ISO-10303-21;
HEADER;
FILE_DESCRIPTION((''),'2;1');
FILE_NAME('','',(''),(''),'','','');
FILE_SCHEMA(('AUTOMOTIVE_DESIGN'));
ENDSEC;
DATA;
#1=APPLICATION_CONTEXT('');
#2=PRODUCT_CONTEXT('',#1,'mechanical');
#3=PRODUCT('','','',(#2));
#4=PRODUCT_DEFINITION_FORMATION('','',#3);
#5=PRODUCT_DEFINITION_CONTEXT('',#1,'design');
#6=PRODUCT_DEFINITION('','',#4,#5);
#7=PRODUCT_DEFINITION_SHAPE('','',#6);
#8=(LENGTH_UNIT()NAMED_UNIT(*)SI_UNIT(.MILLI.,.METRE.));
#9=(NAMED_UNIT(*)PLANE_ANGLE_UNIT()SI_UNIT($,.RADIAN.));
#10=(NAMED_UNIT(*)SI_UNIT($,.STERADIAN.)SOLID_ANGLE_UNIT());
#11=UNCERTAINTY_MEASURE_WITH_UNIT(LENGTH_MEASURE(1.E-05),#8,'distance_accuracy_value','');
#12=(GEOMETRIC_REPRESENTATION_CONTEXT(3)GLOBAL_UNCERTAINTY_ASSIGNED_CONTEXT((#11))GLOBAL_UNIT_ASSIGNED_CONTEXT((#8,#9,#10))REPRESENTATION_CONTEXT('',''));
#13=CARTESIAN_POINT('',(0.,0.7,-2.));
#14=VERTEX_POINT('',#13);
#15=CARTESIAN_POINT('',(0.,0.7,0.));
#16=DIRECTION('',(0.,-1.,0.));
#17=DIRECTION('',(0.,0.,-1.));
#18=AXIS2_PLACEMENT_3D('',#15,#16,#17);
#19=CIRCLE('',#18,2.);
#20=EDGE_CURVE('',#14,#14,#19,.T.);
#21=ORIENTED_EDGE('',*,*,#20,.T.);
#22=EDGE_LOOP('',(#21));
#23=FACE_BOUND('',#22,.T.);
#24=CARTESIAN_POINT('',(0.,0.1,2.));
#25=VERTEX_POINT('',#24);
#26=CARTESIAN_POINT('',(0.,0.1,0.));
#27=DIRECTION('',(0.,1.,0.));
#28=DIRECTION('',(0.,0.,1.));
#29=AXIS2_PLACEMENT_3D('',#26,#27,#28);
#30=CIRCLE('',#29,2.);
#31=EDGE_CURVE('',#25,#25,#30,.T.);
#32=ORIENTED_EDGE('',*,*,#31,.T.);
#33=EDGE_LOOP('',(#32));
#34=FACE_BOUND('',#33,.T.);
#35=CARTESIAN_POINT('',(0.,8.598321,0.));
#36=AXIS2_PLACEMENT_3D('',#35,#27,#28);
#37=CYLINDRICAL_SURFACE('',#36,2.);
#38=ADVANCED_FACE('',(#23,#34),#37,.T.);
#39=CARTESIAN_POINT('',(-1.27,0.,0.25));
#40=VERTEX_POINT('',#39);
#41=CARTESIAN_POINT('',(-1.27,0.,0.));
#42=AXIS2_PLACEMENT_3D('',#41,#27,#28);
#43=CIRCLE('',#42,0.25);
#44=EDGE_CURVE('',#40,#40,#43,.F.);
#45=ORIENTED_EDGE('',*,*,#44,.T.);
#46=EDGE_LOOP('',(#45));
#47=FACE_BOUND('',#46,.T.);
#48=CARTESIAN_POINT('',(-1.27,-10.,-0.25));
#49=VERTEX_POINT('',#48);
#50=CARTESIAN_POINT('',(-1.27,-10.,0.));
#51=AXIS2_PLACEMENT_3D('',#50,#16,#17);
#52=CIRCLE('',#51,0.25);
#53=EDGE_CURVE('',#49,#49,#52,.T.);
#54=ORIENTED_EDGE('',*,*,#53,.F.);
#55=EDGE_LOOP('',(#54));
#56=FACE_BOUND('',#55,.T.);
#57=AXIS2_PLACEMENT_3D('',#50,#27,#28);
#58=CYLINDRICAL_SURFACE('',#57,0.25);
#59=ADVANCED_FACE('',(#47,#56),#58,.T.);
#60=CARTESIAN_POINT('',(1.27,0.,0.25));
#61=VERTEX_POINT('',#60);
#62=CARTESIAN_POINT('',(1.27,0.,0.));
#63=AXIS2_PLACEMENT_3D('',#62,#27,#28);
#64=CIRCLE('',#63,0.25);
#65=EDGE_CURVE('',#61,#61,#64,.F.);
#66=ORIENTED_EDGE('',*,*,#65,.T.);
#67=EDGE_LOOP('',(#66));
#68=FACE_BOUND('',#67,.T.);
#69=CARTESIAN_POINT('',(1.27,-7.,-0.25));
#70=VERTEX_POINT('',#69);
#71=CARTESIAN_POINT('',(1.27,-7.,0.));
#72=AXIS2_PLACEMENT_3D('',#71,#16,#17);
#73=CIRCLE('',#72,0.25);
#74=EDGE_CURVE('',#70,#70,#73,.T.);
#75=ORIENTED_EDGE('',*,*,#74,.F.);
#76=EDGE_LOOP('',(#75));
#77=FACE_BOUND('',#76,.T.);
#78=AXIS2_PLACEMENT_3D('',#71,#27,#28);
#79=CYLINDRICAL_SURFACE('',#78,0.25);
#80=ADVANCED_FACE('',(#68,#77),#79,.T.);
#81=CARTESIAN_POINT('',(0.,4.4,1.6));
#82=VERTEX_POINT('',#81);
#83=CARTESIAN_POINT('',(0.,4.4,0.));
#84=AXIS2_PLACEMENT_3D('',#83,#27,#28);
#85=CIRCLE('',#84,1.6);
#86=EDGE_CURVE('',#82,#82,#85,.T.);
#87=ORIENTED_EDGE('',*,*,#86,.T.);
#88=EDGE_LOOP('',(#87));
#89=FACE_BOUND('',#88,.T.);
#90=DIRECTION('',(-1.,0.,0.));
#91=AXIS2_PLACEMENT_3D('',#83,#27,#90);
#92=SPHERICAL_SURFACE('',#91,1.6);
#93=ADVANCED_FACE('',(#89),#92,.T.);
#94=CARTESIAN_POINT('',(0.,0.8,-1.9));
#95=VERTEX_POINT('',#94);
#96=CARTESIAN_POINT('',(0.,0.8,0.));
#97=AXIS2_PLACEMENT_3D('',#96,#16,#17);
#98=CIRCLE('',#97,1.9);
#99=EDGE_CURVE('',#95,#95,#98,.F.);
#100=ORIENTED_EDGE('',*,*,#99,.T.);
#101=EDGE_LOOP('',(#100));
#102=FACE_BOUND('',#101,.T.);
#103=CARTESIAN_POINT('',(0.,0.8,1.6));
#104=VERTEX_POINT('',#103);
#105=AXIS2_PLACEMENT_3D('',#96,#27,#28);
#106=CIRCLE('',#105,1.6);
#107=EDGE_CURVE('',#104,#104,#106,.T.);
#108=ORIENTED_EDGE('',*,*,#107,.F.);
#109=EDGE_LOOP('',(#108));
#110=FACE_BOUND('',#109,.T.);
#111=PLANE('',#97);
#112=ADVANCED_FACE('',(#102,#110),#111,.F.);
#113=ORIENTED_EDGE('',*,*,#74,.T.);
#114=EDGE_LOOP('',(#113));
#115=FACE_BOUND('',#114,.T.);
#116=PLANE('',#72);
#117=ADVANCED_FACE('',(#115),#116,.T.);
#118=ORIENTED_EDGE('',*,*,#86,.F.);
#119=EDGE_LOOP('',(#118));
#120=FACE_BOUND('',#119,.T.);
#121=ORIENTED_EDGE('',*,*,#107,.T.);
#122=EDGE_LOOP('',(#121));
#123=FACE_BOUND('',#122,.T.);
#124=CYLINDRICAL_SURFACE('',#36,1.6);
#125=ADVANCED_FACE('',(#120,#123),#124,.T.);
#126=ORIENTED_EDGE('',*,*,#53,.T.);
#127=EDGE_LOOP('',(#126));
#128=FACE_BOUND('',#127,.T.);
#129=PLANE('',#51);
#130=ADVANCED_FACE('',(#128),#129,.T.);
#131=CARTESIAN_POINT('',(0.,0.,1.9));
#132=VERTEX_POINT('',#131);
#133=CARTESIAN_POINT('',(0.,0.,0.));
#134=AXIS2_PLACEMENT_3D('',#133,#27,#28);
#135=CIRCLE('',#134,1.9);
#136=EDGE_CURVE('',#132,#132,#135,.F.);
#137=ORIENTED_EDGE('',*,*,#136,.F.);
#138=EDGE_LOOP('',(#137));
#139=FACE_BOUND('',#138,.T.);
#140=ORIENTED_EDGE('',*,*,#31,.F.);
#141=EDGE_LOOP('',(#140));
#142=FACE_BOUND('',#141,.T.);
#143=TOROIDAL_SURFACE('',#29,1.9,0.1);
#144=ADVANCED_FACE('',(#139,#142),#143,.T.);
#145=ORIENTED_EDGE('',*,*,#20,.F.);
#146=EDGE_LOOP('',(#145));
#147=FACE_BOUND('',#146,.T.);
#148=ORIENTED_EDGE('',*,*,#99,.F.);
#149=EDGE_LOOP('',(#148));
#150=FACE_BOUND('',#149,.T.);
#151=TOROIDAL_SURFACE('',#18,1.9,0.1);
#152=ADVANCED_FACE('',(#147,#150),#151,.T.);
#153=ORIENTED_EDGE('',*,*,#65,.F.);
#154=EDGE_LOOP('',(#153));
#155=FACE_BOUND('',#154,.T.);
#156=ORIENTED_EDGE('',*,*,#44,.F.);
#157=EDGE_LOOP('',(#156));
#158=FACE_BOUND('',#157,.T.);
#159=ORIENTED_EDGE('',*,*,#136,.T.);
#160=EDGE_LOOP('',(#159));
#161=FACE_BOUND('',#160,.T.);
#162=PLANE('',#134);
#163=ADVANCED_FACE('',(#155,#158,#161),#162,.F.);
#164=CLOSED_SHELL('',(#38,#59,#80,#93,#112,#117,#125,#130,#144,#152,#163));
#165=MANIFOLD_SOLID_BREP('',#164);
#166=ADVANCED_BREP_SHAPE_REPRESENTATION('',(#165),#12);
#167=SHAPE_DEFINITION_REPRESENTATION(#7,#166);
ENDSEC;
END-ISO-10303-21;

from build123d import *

# Parameters (mm, degrees)
FILLET1_R           = 0.1
SKETCH2_R           = 0.25
BOSS_EXTRUDE1_DEPTH = 10
SKETCH3_R           = 0.25
BOSS_EXTRUDE2_DEPTH = 7


with BuildPart() as part:
    # Sketch1 one side → Revolve6 (revolve)
    with BuildSketch(Plane.XY):
        with BuildLine():
            Line((0, 0), (2, 0))
            Line((2, 0), (2, 0.8))
            Line((2, 0.8), (1.6, 0.8))
            Line((1.6, 0.8), (1.6, 4.4))
            ThreePointArc((1.6, 4.4), (1.13137085, 5.53137085), (0, 6))
            Line((0, 6), (0, 0))
        make_face()
    revolve(axis=Axis((0, 8.598320721, 0), (0, -1, 0)))

    # Fillet1
    fillet1_edges = [part.edges().sort_by_distance(p)[0] for p in [
        (-2, 0, 0),
        (-2, 0.8, 0),
    ]]
    fillet(fillet1_edges, radius=FILLET1_R)

    # Sketch2 → Boss-Extrude1 (add)
    with BuildSketch(Plane.XZ):
        with Locations((-1.27, 0)):
            Circle(SKETCH2_R)
    extrude(amount=BOSS_EXTRUDE1_DEPTH)

    # Sketch3 → Boss-Extrude2 (add)
    with BuildSketch(Plane.XZ):
        with Locations((1.27, 0)):
            Circle(SKETCH3_R)
    extrude(amount=BOSS_EXTRUDE2_DEPTH)


solid = part.part
